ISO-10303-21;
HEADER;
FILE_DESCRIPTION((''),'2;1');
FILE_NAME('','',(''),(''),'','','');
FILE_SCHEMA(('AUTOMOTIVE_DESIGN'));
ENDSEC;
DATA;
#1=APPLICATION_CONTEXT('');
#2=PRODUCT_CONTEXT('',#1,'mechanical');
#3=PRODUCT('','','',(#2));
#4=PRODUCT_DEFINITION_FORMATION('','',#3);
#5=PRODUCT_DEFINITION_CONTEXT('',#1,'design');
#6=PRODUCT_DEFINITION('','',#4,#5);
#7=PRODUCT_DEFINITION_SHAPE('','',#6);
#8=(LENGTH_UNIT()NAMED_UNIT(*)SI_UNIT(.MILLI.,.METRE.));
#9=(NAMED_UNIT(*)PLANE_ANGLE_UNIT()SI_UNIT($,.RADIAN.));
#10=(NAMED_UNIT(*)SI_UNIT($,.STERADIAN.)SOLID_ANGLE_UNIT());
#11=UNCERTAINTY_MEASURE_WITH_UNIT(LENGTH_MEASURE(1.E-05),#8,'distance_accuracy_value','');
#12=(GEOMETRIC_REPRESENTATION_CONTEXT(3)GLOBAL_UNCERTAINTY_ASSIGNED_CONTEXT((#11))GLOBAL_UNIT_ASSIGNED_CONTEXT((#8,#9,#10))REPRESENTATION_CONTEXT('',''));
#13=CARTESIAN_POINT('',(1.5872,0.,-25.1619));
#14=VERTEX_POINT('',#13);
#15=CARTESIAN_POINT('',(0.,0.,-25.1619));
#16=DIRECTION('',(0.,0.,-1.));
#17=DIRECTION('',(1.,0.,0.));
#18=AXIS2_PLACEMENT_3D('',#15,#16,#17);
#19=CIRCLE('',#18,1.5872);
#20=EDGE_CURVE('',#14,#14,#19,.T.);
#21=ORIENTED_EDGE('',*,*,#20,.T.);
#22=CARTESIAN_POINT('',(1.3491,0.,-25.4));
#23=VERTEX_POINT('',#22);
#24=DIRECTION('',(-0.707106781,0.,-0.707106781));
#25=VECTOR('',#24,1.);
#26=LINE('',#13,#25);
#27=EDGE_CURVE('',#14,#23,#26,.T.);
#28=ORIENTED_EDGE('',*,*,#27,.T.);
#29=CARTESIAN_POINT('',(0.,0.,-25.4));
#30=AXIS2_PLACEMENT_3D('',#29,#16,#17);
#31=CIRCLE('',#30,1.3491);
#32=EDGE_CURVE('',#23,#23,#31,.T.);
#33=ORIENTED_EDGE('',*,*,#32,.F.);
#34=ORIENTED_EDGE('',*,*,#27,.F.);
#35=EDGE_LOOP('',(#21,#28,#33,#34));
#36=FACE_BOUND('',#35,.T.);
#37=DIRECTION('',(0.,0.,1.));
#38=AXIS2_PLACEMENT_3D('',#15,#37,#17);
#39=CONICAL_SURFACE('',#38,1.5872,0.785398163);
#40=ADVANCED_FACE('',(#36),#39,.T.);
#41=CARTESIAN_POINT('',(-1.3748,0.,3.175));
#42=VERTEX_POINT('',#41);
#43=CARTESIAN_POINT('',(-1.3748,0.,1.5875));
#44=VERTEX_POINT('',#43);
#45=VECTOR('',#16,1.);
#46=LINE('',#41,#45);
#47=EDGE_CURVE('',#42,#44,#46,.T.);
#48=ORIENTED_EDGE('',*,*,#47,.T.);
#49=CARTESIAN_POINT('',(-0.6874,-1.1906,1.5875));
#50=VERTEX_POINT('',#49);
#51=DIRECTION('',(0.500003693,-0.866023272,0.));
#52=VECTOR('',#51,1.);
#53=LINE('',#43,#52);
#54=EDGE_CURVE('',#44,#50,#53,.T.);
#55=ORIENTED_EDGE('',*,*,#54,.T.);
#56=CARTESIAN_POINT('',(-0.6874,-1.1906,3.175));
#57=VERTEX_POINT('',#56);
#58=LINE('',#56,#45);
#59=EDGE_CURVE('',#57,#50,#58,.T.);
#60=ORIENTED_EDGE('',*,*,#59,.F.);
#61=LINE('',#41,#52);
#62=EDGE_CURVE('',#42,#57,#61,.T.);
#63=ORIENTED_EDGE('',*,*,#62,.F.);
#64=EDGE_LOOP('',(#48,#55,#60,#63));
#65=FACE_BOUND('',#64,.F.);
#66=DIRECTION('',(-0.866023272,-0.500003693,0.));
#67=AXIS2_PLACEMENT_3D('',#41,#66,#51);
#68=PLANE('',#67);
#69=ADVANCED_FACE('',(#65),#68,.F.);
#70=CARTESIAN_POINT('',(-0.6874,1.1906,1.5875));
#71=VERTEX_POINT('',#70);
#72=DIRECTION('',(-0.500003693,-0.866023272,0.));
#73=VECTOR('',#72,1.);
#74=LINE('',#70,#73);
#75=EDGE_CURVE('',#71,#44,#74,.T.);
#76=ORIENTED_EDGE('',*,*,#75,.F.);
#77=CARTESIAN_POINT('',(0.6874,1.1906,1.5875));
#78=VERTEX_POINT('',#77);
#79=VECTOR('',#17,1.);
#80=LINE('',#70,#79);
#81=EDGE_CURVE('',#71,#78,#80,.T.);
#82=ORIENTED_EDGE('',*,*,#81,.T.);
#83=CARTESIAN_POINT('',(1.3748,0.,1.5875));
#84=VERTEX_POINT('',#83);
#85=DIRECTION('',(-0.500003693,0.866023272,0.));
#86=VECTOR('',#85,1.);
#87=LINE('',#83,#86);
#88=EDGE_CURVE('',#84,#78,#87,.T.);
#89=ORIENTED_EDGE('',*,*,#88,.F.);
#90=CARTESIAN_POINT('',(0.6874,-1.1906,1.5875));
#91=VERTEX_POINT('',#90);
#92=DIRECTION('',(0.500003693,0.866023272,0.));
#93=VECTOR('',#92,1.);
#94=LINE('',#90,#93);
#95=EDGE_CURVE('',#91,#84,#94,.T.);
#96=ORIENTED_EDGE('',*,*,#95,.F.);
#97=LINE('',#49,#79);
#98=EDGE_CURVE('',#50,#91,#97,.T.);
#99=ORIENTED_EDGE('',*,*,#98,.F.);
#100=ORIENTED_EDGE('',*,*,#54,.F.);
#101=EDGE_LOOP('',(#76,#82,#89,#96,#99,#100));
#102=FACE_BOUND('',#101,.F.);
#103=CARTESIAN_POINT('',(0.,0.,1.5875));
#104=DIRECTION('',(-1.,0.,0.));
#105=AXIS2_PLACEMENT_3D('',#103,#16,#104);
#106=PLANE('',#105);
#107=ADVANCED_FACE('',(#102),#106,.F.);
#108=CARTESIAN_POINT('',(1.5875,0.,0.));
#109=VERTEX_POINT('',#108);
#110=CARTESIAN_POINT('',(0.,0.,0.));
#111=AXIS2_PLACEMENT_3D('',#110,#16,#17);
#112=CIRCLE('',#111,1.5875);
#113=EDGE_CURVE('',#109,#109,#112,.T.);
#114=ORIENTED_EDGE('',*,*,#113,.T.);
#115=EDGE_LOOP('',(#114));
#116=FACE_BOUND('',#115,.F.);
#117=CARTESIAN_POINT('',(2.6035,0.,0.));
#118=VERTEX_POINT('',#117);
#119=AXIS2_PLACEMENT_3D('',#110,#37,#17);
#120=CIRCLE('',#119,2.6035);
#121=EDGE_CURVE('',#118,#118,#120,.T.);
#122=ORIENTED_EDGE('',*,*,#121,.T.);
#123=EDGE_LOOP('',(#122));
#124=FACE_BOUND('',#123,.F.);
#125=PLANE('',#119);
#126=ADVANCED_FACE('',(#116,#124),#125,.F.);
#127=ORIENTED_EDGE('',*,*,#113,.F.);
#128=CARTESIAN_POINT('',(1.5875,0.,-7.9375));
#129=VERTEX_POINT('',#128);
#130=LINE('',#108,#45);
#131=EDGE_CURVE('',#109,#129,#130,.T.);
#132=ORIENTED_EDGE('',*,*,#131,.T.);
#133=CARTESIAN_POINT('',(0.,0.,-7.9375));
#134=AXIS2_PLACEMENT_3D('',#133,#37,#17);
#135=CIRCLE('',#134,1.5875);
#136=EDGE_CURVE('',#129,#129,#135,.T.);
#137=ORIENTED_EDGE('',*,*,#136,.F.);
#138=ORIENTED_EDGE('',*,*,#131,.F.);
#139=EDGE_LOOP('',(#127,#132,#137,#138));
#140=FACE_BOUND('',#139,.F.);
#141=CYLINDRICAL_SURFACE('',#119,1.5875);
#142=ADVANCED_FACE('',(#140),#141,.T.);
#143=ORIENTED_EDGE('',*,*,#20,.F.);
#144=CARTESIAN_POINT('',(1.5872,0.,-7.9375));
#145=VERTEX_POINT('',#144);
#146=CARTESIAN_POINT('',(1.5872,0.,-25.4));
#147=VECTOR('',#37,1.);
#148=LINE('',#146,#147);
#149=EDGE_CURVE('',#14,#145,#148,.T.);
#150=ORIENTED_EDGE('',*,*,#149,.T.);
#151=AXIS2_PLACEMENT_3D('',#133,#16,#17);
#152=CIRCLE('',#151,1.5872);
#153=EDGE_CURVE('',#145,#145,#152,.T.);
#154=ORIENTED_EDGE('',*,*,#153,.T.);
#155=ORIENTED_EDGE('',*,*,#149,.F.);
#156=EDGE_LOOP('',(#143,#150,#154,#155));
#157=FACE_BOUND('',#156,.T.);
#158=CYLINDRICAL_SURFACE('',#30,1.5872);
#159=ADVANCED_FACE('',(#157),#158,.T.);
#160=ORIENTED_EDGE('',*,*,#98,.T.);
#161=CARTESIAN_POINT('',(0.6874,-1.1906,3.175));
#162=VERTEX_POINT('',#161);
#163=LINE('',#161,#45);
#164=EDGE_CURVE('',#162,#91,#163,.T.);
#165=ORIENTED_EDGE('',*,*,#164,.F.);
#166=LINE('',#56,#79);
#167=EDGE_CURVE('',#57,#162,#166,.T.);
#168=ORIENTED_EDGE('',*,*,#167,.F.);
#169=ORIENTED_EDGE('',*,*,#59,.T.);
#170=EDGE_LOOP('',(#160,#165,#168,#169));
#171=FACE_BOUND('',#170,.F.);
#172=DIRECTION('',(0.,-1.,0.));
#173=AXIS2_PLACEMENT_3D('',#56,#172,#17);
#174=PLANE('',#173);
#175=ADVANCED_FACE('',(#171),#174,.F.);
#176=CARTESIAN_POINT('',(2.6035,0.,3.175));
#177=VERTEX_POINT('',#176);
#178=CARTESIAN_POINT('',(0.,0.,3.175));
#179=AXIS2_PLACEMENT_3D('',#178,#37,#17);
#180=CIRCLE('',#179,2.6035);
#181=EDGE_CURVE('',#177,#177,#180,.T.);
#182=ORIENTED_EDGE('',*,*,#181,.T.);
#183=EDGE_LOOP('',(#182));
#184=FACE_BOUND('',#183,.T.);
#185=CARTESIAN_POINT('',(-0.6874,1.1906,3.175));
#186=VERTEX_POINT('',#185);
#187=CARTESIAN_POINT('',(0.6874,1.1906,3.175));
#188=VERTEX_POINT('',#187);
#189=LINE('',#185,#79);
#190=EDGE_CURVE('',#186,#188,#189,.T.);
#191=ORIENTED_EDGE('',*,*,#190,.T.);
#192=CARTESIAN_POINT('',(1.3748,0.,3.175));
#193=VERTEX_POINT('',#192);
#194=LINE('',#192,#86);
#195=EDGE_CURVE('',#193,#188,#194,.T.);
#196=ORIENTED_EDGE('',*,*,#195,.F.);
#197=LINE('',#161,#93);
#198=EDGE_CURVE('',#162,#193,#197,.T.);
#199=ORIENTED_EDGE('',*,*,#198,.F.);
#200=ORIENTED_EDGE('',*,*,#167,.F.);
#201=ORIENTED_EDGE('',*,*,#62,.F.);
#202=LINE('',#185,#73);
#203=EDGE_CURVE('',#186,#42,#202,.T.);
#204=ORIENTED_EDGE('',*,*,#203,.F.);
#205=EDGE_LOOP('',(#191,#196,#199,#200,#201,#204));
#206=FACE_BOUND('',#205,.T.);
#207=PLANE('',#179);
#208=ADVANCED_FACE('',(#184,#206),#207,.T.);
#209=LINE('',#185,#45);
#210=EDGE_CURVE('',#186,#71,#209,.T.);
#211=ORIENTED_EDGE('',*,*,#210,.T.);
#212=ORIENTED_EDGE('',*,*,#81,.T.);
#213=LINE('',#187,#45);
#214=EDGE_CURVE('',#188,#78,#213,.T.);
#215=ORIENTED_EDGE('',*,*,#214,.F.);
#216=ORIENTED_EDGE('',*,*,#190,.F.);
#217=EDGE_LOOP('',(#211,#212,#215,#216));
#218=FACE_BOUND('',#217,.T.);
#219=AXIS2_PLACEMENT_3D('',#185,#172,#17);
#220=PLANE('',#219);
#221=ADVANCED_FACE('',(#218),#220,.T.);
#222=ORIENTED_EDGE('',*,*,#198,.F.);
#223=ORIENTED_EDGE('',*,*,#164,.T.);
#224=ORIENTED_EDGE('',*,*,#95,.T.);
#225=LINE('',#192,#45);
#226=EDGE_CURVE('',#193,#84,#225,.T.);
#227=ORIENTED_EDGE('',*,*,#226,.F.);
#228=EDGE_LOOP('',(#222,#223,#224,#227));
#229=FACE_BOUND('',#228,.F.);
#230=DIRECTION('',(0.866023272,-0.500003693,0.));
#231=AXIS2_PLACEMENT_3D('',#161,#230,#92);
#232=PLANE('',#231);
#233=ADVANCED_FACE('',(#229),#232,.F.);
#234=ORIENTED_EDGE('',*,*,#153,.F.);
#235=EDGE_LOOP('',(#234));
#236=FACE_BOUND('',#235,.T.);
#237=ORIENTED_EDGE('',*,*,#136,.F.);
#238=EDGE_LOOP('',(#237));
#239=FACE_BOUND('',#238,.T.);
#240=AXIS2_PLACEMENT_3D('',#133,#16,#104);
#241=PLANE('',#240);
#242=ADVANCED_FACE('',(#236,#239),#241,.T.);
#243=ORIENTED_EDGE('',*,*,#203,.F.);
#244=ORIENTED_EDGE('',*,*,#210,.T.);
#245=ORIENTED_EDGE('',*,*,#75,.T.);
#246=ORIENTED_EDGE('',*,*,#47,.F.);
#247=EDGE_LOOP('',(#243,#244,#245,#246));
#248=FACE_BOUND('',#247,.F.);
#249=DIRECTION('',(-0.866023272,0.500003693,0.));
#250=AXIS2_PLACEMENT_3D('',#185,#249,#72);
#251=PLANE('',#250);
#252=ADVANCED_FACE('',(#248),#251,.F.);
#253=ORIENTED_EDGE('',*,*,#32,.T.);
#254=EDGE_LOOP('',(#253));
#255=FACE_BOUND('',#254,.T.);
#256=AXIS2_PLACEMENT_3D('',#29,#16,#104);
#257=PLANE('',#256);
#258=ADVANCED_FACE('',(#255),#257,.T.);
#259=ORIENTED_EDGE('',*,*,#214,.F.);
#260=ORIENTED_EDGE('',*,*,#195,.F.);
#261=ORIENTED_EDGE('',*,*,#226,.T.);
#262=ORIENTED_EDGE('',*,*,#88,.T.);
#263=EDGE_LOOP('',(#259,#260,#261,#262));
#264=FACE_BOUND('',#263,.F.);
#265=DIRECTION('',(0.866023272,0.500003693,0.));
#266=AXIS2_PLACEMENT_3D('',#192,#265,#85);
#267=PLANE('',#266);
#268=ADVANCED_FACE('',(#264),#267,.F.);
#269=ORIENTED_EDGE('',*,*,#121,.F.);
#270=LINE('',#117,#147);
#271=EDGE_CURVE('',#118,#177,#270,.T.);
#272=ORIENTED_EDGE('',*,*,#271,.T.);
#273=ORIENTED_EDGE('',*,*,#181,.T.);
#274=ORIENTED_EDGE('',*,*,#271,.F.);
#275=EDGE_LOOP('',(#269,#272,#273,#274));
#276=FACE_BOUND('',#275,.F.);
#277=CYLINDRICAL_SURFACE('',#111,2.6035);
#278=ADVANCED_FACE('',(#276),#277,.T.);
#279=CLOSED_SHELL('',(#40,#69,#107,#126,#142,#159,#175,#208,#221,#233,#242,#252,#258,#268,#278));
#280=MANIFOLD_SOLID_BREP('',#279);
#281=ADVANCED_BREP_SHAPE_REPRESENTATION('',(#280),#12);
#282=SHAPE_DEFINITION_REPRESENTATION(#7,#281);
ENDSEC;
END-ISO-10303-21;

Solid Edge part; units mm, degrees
sketch "Sketch1" plane through (0, 0, 0) normal (0, 0, 1) x (1, 0, 0)
  circle A0 centre (0, 0) radius 2.6035
  dimension "D1" = 5.207
extrude "Protrusion1" add sketch "Sketch1" along normal blind 3.175
sketch "Sketch2" plane through (0, 0, 0) normal (0, 0, -1) x (1, 0, 0)
  circle A0 centre (0, 0) radius 1.5875
extrude "Protrusion2" add sketch "Sketch2" along normal blind 25.4
sketch "Sketch3" plane through (0, 0, -25.4) normal (0, 0, -1) x (1, 0, 0)
  circle A0 centre (0, 0) radius 1.5872
extrude "Cutout1" cut sketch "Sketch3" against normal blind 17.4625 flip side to cut
chamfer "Chamfer_1" distance 0.2381 angle 45 1 edges at (-1.5872, 0, -25.4)
sketch "Sketch4" plane through (0, 0, 3.175) normal (0, 0, 1) x (1, 0, 0)
  line L0 (-0.6874, 1.1906) -> (0.6874, 1.1906)
  line L1 (1.3748, 0) -> (0.6874, 1.1906)
  line L2 (0.6874, -1.1906) -> (1.3748, 0)
  line L3 (-0.6874, -1.1906) -> (0.6874, -1.1906)
  line L4 (-1.3748, 0) -> (-0.6874, -1.1906)
  line L5 (-0.6874, 1.1906) -> (-1.3748, 0)
  dimension "D1" = 2.3812
extrude "Cutout2" cut sketch "Sketch4" against normal blind 1.5875
properties part number "201099"
